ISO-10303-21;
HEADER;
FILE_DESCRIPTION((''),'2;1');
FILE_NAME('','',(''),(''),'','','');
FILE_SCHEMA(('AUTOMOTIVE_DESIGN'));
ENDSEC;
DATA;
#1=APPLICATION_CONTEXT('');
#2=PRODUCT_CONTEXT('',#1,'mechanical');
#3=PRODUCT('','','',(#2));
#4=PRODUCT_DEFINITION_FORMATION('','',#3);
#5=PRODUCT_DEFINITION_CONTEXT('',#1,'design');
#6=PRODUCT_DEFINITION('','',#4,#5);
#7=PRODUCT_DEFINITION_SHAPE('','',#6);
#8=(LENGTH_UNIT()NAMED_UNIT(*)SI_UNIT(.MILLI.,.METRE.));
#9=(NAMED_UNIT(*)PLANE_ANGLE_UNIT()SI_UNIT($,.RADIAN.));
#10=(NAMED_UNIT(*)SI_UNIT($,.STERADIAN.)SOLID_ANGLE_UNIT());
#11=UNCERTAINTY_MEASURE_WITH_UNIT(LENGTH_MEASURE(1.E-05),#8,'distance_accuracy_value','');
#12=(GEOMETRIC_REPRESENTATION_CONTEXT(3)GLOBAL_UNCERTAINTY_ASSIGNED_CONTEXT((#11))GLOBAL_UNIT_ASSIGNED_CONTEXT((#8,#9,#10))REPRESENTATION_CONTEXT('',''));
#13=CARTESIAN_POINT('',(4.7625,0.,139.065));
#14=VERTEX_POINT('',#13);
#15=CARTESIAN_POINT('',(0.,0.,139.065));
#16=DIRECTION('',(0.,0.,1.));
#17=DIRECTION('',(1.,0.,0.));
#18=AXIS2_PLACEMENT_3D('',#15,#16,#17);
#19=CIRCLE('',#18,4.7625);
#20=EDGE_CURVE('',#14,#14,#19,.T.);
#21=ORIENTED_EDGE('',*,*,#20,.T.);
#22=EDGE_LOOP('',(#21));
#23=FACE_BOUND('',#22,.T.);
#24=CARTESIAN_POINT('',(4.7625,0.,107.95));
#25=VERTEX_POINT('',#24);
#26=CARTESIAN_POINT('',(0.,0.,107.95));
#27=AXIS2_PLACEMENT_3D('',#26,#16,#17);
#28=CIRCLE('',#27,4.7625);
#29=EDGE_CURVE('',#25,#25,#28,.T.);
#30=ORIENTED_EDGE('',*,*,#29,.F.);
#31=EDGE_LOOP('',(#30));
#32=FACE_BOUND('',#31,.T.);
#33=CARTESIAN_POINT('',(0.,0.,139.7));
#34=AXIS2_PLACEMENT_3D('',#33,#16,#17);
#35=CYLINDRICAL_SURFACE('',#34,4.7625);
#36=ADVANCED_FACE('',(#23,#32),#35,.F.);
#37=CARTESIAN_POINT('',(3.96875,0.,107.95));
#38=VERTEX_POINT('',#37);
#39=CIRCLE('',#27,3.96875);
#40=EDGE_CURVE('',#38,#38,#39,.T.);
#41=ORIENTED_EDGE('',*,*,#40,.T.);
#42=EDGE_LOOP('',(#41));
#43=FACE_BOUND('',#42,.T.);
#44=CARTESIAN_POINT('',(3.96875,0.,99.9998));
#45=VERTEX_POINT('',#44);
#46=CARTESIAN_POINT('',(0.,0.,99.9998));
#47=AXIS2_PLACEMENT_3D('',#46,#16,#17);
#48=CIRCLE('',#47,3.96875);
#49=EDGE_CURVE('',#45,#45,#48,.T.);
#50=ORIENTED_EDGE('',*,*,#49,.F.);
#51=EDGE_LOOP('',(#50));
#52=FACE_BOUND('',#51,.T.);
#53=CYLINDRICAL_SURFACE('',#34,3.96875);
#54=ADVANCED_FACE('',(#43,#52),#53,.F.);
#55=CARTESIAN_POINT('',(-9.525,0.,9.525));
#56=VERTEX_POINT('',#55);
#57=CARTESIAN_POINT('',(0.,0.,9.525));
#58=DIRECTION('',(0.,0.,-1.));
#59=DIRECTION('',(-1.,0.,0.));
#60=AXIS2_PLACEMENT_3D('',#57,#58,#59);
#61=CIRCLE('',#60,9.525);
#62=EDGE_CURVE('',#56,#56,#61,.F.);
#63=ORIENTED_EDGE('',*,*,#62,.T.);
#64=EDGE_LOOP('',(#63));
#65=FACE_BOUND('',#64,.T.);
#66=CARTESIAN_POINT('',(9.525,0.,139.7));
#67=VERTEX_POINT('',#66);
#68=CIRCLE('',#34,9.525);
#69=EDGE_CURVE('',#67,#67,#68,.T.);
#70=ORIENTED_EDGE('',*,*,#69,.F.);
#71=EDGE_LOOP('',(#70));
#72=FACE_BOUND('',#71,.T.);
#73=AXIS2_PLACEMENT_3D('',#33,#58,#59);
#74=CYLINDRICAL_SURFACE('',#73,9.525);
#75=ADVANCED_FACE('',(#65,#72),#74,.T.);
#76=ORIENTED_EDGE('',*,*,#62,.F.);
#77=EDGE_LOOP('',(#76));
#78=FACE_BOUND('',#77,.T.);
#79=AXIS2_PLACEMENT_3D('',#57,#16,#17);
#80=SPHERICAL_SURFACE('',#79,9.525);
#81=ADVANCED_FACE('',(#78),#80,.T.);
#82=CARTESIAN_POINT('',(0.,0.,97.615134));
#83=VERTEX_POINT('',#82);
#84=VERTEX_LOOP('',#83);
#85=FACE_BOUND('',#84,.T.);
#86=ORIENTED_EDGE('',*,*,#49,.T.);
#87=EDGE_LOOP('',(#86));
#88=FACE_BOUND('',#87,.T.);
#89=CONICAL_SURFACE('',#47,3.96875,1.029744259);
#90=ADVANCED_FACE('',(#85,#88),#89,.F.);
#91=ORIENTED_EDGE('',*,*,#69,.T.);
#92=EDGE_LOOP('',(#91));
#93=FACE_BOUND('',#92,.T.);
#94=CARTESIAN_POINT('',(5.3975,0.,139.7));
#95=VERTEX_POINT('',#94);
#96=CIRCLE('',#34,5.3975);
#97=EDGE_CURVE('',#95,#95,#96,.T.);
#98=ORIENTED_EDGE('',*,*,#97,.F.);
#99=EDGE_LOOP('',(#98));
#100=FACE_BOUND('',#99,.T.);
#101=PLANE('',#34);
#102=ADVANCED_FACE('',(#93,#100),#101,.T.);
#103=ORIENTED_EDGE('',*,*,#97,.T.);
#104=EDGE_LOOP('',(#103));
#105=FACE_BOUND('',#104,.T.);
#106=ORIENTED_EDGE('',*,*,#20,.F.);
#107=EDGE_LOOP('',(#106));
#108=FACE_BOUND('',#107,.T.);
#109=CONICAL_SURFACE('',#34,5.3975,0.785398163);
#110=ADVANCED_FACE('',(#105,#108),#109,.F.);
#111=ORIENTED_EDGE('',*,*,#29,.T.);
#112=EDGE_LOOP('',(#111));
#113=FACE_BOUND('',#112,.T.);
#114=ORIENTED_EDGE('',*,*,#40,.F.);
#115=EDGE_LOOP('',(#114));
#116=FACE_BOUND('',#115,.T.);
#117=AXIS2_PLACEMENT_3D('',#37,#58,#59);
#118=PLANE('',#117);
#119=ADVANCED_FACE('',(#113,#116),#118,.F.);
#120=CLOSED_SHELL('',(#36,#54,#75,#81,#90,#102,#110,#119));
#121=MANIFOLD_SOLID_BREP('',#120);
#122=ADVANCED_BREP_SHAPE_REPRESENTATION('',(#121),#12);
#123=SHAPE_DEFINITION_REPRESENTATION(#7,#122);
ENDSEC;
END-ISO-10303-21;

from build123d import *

# Parameters (mm, degrees)
SKETCH1_R           = 9.525
BOSS_EXTRUDE1_DEPTH = 139.7
FILLET1_R           = 9.525


with BuildPart() as part:
    # Sketch1 → Boss-Extrude1 (new body)
    with BuildSketch(Plane.XY):
        Circle(SKETCH1_R)
    extrude(amount=BOSS_EXTRUDE1_DEPTH)

    # Fillet1
    fillet1_edges = [part.edges().sort_by_distance(p)[0] for p in [
        (-9.525, 0, 0),
    ]]
    fillet(fillet1_edges, radius=FILLET1_R)

    # Sketch2 → 3/8-16 Tapped Hole1 (revolve, cut)
    with BuildSketch(Plane(origin=(0, 0, 139.7), x_dir=(0, -1, 0), z_dir=(1, 0, 0))):
        Polygon((0, 0), (0, 42.084865582), (3.96875, 39.7002), (3.96875, 31.75), (4.7625, 31.75), (4.7625, 0.635), (5.3975, 0), align=None)
    revolve(axis=Axis((0, 0, 146.05), (0, 0, -1)), mode=Mode.SUBTRACT)


solid = part.part
